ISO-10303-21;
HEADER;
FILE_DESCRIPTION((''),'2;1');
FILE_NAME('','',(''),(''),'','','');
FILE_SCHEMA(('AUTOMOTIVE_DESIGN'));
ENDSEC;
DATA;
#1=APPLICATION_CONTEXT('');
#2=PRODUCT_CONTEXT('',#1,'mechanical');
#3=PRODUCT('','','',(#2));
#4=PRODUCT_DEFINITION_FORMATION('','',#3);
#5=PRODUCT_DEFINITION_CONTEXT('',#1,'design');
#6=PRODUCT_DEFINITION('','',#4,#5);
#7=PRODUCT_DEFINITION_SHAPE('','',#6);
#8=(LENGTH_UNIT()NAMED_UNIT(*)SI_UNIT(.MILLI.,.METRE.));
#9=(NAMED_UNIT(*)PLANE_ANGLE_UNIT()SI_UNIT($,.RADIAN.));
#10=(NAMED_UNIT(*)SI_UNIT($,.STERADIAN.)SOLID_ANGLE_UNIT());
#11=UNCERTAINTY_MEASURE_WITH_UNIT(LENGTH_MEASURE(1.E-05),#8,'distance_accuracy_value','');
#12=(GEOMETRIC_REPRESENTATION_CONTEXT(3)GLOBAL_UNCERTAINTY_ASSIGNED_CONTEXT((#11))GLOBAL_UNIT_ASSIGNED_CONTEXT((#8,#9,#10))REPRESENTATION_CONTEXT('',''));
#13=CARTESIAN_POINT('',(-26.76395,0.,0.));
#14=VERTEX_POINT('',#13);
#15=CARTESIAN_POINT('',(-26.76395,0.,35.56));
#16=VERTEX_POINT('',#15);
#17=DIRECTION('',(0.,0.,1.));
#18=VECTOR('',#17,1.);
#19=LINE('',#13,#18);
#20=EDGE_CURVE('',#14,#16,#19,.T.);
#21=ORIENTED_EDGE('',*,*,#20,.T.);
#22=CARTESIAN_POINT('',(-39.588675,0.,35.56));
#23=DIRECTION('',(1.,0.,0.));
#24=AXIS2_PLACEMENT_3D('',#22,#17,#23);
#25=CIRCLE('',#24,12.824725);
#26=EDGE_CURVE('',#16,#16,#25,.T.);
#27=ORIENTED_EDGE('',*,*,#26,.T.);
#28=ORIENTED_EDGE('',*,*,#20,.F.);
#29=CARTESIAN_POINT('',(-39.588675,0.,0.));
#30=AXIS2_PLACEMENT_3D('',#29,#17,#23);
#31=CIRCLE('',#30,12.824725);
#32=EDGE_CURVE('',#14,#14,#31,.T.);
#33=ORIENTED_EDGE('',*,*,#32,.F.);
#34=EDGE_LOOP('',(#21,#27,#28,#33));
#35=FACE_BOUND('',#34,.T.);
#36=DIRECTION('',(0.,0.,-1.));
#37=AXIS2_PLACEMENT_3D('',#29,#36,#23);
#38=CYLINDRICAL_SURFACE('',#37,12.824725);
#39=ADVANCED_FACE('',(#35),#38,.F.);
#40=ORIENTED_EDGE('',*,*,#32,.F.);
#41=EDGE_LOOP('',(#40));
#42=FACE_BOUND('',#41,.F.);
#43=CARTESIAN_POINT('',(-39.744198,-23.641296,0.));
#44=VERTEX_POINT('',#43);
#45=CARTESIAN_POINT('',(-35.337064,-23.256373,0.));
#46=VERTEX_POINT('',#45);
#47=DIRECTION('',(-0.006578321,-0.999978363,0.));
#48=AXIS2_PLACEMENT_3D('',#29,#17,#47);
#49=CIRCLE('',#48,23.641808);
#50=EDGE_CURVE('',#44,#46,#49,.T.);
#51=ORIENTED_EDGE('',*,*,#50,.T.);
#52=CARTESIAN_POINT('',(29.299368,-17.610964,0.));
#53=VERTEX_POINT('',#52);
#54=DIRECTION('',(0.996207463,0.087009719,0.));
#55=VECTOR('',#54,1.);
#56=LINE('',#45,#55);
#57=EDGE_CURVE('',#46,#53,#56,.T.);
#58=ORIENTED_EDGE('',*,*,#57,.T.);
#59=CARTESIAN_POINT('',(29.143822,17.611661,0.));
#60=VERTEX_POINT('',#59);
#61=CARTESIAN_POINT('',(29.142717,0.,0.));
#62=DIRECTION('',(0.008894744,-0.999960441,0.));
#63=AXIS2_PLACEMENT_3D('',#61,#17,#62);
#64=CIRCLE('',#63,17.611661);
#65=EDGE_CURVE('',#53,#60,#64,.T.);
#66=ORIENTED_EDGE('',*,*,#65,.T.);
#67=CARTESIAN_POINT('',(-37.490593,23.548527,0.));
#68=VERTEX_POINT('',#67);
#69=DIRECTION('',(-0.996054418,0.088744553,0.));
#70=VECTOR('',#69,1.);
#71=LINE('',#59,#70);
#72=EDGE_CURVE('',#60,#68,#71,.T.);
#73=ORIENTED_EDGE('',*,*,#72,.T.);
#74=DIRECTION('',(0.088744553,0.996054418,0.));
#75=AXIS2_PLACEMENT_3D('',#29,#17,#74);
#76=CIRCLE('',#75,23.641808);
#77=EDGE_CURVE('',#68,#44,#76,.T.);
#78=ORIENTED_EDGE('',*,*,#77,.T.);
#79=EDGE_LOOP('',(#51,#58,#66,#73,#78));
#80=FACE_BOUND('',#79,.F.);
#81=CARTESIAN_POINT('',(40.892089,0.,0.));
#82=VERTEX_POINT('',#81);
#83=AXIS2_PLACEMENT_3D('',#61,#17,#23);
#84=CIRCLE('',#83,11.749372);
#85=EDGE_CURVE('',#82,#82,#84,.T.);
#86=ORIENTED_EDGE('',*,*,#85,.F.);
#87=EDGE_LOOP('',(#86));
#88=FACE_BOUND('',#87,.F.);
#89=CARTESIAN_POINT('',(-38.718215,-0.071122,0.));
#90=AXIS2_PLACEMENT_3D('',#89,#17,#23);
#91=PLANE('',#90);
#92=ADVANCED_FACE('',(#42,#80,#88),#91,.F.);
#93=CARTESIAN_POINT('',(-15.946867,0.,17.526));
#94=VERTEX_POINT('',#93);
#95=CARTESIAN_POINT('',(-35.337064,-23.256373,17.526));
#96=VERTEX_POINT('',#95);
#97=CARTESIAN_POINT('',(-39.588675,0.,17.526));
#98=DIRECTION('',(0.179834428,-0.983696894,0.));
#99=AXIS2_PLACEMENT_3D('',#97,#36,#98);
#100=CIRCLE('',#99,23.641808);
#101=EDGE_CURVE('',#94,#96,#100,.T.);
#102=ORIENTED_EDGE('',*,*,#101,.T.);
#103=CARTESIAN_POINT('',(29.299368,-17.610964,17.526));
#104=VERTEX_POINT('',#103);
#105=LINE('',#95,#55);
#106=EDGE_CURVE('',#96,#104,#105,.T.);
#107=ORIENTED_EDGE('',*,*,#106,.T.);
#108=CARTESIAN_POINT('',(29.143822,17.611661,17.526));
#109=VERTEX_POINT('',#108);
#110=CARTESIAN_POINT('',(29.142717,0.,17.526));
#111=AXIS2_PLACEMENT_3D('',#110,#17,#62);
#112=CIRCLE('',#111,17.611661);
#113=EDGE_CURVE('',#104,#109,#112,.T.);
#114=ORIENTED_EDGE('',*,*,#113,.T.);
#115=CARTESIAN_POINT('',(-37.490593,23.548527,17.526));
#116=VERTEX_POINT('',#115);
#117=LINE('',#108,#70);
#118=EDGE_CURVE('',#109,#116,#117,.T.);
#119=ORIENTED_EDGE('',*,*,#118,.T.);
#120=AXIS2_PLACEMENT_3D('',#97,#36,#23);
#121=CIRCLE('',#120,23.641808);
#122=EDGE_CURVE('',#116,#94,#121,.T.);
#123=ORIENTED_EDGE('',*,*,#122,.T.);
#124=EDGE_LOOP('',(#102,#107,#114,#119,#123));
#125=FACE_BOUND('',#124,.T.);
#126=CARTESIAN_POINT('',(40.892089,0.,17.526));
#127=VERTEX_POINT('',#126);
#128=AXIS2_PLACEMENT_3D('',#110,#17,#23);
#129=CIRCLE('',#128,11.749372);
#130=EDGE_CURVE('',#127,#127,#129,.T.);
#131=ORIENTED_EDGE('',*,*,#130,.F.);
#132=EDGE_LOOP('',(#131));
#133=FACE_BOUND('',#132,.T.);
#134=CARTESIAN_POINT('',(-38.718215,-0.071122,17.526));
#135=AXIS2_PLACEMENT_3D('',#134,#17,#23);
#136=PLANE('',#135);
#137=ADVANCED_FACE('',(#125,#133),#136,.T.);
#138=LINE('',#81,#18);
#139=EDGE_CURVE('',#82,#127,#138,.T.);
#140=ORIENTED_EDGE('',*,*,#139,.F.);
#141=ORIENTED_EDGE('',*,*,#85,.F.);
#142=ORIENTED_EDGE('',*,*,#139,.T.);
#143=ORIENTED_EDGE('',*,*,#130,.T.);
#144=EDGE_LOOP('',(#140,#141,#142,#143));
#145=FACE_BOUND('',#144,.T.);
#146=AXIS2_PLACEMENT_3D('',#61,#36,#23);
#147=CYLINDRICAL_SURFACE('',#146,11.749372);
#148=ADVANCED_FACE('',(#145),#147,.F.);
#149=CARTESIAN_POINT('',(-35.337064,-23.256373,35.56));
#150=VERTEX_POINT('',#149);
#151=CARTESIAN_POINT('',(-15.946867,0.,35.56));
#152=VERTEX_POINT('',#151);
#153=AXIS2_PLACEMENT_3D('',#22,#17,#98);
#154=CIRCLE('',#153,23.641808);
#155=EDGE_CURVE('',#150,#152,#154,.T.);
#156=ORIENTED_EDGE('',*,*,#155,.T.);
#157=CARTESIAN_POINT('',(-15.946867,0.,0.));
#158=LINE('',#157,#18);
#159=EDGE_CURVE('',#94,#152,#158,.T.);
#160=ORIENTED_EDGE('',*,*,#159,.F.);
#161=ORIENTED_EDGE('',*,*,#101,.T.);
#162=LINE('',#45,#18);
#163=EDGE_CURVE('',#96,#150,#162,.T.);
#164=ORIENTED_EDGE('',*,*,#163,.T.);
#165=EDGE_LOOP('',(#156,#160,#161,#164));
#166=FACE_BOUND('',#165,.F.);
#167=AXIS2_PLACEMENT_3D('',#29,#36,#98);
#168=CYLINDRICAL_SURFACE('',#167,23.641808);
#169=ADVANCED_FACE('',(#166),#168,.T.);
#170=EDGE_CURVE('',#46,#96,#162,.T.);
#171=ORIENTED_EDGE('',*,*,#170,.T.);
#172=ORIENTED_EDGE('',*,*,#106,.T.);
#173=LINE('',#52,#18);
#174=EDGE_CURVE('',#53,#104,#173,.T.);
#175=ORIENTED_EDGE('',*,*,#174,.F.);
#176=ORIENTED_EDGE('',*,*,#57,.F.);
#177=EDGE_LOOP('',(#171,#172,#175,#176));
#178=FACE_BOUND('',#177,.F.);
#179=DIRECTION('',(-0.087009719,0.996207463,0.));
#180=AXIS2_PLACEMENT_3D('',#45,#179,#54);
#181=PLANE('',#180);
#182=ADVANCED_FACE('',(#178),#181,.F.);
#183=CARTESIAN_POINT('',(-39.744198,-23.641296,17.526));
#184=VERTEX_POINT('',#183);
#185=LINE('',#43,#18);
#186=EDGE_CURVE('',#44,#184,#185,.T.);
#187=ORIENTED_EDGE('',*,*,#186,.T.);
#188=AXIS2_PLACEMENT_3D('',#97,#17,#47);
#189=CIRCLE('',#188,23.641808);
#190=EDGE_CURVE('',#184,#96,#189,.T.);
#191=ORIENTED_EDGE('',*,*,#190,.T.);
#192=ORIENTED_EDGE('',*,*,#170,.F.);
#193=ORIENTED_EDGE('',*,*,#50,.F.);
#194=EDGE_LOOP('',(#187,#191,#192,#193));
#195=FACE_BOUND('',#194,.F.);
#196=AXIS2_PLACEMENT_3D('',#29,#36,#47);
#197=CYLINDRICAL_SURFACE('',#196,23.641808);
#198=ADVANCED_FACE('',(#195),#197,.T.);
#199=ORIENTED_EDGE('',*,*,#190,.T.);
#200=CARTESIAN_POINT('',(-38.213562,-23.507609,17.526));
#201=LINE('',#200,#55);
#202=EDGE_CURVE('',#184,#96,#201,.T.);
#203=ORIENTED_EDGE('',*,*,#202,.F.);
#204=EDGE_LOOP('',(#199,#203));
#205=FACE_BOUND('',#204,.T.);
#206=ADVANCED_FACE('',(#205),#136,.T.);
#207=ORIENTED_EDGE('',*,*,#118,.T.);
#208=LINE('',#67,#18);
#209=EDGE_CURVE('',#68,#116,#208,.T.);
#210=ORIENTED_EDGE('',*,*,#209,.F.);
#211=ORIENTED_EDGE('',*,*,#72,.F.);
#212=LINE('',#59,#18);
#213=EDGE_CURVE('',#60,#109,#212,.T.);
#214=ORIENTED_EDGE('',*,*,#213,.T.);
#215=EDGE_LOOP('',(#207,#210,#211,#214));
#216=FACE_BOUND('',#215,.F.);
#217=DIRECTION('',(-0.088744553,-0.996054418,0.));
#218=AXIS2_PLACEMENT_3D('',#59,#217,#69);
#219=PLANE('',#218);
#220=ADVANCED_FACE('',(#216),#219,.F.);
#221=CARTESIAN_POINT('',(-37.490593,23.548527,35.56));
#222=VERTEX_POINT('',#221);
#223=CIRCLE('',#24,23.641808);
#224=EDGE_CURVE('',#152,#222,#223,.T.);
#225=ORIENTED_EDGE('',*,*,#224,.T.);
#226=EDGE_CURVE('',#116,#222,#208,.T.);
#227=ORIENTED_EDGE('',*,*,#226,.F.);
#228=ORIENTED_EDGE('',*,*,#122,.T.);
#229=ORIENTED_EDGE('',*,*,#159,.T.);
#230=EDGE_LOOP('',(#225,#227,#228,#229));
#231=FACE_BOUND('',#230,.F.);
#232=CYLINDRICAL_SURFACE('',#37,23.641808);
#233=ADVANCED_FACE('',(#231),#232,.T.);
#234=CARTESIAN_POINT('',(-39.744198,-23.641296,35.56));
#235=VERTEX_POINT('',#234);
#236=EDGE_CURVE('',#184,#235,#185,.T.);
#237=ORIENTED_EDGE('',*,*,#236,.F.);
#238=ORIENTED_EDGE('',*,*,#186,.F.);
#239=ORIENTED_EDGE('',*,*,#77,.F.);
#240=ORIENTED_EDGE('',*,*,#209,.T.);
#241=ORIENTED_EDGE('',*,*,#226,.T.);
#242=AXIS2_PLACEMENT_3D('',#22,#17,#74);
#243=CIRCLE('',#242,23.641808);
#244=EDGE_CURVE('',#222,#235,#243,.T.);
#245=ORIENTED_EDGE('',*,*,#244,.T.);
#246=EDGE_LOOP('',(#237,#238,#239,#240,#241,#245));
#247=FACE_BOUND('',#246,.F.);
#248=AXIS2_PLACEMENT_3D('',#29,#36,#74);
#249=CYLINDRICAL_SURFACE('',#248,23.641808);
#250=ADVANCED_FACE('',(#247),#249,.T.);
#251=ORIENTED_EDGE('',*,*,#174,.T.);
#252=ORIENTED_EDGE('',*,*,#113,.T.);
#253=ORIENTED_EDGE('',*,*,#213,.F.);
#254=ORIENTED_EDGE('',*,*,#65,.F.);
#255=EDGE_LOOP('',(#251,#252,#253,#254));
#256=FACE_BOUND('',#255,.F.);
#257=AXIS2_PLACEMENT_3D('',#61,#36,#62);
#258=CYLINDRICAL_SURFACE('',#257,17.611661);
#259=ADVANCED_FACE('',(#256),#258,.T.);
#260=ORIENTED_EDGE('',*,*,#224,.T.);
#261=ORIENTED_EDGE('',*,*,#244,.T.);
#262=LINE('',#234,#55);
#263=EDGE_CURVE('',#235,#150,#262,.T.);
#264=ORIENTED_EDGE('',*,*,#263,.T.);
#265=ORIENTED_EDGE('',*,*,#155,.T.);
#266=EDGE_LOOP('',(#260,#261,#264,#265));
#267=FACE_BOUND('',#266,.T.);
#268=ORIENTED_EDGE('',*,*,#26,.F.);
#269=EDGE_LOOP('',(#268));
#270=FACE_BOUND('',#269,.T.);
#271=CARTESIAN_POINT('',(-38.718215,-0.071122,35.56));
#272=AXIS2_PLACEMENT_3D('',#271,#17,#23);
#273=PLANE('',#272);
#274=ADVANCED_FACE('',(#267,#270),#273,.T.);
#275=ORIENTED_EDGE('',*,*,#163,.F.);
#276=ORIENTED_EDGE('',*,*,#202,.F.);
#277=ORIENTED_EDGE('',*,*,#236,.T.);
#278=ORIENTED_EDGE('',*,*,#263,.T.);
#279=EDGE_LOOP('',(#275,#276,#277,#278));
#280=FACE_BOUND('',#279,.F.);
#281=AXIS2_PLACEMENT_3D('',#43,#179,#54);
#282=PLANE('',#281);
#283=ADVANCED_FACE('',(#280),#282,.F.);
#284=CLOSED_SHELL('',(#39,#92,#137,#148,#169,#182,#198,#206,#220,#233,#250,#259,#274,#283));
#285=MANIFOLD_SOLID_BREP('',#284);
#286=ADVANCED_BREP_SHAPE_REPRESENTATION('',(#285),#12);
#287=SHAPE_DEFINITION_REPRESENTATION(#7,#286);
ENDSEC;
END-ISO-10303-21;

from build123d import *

# Parameters (mm, degrees)
F0_R     = 12.8247252284
F1_DEPTH = 35.56
F0_R_2   = 11.7493719905
F2_DEPTH = 17.526


with BuildPart() as f1:
    # F0 (on Top) → F1 (new body)
    with BuildSketch(Plane.XY):
        with BuildLine():
            ThreePointArc((-35.3370639504, -23.2563727032), (-21.4303319834, -15.1396713775), (-15.9468672944, 0))
            ThreePointArc((-15.9468672944, 0), (-22.1453737561, 15.9582678289), (-37.4905932494, 23.5485269258))
            ThreePointArc((-37.4905932494, 23.5485269258), (-63.2035691764, 1.1277568234), (-39.7441982942, -23.6412960616))
            Line((-39.7441982942, -23.6412960616), (-35.3370639504, -23.2563727032))
        make_face()
        with Locations((-39.5886749029, 0)):
            Circle(F0_R, mode=Mode.SUBTRACT)
    extrude(amount=F1_DEPTH)

    # F0 (on Top) → F2 (join)
    with BuildSketch(Plane.XY):
        with BuildLine():
            ThreePointArc((-35.3370639504, -23.2563727032), (-21.4303319834, -15.1396713775), (-15.9468672944, 0))
            ThreePointArc((-15.9468672944, 0), (-22.1453737561, 15.9582678289), (-37.4905932494, 23.5485269258))
            ThreePointArc((-37.4905932494, 23.5485269258), (-63.2035691764, 1.1277568234), (-39.7441982942, -23.6412960616))
            Line((-39.7441982942, -23.6412960616), (-35.3370639504, -23.2563727032))
        make_face()
        with Locations((-39.5886749029, 0)):
            Circle(F0_R, mode=Mode.SUBTRACT)
        with BuildLine():
            ThreePointArc((-37.4905932494, 23.5485269258), (-22.1453737561, 15.9582678289), (-15.9468672944, 0))
            ThreePointArc((-15.9468672944, 0), (-21.4303319834, -15.1396713775), (-35.3370639504, -23.2563727032))
            Line((-35.3370639504, -23.2563727032), (29.2993681141, -17.6109644696))
            ThreePointArc((29.2993681141, -17.6109644696), (46.7542063418, 0.0777738842), (29.1438219058, 17.6116611349))
            Line((29.1438219058, 17.6116611349), (-37.4905932494, 23.5485269258))
        make_face()
        with Locations((29.1427168995, 0)):
            Circle(F0_R_2, mode=Mode.SUBTRACT)
        with BuildLine():
            ThreePointArc((-39.7441982942, -23.6412960616), (-37.5316078585, -23.5521451714), (-35.3370639504, -23.2563727032))
            Line((-35.3370639504, -23.2563727032), (-39.7441982942, -23.6412960616))
        make_face()
    extrude(amount=F2_DEPTH)


solid = f1.part
